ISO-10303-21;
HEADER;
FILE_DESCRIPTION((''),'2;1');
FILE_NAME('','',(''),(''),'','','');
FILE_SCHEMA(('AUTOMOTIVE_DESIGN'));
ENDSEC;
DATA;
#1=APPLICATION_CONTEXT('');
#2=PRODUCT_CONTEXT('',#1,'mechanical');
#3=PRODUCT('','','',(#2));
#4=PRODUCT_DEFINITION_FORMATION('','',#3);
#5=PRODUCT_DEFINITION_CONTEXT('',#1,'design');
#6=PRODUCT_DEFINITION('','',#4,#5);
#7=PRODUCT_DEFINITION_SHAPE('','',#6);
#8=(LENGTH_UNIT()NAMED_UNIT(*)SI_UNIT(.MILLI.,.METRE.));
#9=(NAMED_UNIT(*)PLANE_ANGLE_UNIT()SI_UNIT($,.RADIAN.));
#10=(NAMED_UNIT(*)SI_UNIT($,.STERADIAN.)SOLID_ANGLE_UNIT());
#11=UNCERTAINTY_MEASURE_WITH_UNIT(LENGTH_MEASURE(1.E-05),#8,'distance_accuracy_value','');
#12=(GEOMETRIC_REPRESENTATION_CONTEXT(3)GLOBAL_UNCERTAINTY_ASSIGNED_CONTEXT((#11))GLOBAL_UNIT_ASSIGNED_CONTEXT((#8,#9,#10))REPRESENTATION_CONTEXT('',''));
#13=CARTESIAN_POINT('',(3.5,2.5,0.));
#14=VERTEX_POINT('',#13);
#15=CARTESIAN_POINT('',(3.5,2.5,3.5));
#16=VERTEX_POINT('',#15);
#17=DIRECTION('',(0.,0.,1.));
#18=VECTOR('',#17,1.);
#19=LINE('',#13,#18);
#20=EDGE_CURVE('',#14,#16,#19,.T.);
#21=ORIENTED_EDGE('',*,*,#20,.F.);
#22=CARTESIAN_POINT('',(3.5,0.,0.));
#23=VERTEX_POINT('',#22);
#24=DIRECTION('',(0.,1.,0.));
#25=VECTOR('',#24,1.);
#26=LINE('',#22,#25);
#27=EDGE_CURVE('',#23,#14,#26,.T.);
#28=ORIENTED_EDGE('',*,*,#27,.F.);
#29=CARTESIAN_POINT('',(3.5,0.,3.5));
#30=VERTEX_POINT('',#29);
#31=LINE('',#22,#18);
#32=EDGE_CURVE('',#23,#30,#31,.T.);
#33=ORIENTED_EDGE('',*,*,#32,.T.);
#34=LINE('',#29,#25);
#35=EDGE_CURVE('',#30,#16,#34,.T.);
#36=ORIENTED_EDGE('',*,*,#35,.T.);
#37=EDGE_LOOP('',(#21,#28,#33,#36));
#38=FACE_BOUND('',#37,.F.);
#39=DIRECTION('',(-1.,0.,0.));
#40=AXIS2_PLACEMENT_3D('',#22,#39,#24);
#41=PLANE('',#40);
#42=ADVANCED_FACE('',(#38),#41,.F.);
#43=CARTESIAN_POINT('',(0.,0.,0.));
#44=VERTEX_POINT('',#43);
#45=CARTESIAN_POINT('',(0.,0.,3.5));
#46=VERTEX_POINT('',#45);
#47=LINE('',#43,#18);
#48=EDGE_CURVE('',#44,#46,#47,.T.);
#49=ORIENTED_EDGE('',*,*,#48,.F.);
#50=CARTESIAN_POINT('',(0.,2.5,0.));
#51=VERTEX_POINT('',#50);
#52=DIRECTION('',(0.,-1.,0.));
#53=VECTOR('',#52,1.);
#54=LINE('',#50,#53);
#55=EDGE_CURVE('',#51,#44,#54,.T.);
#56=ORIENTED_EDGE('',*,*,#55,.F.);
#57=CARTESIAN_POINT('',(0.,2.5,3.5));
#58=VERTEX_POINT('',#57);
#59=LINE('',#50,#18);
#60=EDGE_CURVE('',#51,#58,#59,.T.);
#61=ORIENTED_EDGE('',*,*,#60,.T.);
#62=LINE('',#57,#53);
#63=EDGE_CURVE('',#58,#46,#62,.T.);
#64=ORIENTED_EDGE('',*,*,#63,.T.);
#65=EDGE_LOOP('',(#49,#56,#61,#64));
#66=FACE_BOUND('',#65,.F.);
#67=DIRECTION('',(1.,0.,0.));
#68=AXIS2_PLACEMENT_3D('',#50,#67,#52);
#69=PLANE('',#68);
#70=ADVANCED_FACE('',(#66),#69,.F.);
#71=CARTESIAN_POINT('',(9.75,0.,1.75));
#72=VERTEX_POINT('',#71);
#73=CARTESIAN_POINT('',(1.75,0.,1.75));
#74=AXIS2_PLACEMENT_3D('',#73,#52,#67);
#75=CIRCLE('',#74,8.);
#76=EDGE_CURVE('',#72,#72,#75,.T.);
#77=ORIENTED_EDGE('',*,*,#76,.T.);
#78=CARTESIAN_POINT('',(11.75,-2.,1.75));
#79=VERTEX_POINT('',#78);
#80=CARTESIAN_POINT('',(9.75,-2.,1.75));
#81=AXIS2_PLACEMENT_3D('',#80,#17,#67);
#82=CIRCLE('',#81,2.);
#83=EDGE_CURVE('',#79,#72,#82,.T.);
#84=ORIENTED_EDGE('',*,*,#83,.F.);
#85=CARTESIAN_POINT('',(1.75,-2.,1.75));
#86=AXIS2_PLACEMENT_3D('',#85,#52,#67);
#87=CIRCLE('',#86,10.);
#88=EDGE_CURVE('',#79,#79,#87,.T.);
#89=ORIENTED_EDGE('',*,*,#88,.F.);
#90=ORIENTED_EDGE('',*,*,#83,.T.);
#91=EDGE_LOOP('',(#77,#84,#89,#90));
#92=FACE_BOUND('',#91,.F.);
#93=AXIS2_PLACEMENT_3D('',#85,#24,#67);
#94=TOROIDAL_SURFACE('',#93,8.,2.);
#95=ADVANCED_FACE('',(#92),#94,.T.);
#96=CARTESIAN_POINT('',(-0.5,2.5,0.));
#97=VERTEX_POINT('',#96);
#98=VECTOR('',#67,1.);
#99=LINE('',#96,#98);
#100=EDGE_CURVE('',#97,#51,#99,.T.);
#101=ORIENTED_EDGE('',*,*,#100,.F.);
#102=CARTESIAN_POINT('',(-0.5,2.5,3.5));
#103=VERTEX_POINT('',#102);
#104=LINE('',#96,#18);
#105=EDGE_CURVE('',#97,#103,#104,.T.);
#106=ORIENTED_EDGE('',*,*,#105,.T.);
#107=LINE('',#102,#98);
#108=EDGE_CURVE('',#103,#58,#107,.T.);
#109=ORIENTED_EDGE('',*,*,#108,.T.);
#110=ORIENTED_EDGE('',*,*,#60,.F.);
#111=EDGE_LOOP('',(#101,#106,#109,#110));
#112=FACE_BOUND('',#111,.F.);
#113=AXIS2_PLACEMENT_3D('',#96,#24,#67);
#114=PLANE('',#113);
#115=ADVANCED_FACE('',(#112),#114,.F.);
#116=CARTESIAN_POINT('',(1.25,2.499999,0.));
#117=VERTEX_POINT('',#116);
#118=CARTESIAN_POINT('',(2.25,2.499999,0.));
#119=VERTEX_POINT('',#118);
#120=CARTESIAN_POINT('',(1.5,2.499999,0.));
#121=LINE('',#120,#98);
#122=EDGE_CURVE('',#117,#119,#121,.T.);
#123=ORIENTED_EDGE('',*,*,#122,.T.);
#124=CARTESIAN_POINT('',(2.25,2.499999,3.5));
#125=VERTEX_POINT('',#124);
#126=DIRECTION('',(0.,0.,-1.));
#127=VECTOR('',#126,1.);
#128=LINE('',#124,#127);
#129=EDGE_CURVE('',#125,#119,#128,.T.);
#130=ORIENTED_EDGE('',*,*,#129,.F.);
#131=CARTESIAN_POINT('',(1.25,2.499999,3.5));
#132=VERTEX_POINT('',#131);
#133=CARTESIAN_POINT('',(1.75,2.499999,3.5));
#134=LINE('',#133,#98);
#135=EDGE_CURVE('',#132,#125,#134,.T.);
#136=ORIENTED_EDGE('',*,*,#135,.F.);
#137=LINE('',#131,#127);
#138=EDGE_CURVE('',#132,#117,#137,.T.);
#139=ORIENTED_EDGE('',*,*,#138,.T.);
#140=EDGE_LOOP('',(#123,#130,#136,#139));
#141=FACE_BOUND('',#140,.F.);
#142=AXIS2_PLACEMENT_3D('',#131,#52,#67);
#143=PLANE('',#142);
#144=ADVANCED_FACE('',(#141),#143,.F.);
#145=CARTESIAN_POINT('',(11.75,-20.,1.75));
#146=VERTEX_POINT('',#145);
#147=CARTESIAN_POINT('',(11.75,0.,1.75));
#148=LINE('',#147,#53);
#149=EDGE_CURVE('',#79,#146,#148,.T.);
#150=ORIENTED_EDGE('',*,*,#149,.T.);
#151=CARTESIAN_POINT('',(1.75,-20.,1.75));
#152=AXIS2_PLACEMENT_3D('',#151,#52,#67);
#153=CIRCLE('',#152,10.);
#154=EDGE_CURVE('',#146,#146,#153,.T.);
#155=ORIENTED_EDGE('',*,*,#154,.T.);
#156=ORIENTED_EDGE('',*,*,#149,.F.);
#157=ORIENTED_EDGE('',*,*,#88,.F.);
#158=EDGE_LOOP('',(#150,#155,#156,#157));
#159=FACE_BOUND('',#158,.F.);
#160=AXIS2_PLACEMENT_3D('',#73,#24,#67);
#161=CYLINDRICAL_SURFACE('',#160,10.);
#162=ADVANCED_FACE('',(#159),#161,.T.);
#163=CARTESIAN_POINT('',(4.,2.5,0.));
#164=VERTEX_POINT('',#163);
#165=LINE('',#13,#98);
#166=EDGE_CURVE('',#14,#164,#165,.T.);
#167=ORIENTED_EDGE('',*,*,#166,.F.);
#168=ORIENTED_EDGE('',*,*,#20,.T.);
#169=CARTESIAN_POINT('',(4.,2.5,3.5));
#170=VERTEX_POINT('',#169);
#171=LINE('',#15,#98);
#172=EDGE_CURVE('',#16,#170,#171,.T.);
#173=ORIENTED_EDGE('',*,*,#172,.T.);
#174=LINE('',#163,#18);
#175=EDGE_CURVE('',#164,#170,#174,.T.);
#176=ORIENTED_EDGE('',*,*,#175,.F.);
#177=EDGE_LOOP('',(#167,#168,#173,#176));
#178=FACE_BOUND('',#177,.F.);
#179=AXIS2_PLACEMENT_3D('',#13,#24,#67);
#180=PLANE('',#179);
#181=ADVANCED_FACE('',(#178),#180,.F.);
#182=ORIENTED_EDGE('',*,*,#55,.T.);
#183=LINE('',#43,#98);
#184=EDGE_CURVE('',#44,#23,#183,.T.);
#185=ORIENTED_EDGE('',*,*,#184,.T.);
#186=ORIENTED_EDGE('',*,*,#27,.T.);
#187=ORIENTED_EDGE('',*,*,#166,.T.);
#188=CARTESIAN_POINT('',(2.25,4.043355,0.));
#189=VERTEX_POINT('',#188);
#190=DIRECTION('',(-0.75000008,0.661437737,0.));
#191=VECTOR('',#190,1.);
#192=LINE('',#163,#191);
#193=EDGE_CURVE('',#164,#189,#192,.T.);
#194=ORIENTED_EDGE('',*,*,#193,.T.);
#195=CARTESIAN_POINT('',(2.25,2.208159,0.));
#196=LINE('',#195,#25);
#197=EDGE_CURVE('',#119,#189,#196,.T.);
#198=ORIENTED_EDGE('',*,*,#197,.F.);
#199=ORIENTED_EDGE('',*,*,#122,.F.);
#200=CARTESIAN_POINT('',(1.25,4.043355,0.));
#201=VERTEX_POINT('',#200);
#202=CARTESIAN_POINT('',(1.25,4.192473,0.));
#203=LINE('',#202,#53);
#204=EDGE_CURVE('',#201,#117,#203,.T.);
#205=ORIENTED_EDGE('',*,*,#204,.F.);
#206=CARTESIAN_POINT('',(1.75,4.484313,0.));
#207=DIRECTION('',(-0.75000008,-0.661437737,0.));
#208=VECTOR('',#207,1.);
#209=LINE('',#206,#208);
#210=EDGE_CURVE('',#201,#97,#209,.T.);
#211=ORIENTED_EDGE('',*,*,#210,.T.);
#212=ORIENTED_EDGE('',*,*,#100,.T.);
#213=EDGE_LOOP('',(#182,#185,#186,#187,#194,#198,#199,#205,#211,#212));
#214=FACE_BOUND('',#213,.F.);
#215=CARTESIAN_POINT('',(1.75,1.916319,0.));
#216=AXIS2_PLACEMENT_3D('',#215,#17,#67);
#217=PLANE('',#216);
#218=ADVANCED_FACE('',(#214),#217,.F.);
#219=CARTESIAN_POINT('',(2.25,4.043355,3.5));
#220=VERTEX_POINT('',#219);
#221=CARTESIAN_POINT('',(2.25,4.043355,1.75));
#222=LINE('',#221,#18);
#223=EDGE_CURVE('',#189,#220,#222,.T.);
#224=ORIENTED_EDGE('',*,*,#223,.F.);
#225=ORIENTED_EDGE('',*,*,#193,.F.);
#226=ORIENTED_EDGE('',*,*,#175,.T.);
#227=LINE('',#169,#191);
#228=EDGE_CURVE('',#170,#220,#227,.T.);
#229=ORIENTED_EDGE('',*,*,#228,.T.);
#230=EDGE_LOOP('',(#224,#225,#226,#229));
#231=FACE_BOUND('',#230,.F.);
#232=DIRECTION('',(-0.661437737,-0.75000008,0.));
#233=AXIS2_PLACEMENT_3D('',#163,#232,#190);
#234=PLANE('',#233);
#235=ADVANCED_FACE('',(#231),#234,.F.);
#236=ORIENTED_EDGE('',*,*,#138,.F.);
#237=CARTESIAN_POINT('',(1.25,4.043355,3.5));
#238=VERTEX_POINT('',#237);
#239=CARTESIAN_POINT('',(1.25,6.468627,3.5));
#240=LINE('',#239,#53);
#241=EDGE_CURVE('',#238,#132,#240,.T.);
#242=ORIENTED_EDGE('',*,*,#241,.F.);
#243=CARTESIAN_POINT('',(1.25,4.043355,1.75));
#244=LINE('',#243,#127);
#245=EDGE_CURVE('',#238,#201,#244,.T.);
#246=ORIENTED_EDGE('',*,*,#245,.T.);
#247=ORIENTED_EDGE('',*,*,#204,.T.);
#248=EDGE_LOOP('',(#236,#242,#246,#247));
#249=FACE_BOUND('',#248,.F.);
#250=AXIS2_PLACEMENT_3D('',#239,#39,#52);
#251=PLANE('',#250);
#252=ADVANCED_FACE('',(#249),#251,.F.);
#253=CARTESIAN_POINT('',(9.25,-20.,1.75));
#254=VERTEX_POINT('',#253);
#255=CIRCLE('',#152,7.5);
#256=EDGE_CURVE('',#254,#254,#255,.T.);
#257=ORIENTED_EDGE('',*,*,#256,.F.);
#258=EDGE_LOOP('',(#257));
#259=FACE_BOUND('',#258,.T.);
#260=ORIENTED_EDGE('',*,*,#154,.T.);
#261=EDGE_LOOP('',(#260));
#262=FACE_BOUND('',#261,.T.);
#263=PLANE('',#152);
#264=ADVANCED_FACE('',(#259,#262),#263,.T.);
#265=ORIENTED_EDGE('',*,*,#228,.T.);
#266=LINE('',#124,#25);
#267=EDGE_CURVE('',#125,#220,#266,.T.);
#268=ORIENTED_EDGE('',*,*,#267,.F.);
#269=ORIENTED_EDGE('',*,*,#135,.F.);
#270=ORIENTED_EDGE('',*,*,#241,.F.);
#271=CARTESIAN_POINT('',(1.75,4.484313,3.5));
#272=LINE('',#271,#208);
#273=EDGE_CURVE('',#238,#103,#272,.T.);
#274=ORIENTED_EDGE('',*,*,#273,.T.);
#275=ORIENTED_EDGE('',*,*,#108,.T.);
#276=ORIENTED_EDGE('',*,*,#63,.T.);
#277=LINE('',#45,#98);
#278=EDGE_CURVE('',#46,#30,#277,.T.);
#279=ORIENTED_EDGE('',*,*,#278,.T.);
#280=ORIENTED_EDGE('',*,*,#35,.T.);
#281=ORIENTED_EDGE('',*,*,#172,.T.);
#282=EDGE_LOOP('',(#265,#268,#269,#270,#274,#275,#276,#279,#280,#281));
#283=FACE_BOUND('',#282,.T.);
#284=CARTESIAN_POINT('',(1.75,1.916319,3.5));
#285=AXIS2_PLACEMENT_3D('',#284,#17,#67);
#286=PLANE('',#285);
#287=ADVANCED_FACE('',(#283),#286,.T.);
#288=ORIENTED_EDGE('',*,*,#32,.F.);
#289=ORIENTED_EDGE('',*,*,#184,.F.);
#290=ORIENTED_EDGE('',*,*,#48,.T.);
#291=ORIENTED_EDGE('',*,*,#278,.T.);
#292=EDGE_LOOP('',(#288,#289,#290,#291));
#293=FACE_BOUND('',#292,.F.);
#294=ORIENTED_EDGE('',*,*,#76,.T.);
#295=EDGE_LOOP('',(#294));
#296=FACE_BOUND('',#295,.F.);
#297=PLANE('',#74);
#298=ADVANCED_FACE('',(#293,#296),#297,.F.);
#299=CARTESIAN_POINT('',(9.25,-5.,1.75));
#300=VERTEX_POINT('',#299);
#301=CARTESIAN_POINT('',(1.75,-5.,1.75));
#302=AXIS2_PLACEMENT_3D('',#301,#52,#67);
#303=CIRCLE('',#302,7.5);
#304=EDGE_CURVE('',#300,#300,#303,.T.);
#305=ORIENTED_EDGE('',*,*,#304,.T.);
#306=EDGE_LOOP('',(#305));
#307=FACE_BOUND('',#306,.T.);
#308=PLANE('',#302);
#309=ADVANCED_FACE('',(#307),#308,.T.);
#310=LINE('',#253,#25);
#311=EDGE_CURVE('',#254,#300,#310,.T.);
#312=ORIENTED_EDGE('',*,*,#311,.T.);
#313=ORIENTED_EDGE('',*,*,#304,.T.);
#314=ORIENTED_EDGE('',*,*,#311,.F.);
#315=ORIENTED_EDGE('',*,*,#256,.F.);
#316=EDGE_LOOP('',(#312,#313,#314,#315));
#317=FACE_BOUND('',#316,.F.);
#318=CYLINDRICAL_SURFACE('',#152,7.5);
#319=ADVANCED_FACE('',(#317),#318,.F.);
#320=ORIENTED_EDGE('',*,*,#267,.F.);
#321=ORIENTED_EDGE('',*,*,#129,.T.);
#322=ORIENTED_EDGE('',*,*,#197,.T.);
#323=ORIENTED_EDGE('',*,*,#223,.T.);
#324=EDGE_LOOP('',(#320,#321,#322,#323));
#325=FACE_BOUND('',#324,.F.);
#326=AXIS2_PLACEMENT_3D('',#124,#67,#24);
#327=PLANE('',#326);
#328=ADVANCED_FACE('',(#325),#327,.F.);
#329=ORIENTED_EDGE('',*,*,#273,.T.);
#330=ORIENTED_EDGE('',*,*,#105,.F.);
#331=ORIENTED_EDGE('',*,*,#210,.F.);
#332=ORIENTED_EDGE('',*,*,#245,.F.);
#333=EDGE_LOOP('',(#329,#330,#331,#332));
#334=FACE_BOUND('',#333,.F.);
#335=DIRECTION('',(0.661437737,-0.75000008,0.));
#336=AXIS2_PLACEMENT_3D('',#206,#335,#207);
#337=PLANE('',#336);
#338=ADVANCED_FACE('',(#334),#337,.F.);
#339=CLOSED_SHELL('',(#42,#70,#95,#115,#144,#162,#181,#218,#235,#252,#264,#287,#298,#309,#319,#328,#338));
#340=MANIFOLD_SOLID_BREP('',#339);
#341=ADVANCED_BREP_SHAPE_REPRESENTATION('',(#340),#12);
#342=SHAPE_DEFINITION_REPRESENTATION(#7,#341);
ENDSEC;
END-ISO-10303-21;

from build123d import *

# Parameters (mm, degrees)
F1_DEPTH = 3.5
F2_W     = 1
F2_H     = 3.968627
F3_DEPTH = 25
F4_R     = 10
F5_DEPTH = 20
F6_R     = 2
F7_R     = 7.5
F8_DEPTH = 15


with BuildPart() as f1:
    # F0 (on Top) → F1 (new body)
    with BuildSketch(Plane.XY):
        Polygon((0, 2.5), (0, 0), (3.5, 0), (3.5, 2.5), (4, 2.5), (1.75, 4.484313), (-0.5, 2.5), align=None)
    extrude(amount=F1_DEPTH)

    # F2 (on face) → F3 (cut)
    with BuildSketch(Plane.XY.offset(3.5)):
        with Locations((1.75, 4.484313)):
            Rectangle(F2_W, F2_H)
        Polygon((1.25, 4.043355), (1.25, 2.5), (2.25, 2.5), (2.25, 4.043355), (1.75, 4.484313), align=None)
    extrude(amount=-F3_DEPTH, mode=Mode.SUBTRACT)

    # F4 (on face) → F5 (join)
    with BuildSketch(Plane.XZ):
        with Locations((1.75, 1.75)):
            Circle(F4_R)
    extrude(amount=F5_DEPTH)

    # F6
    f6_edges = [f1.edges().sort_by_distance(p)[0] for p in [
        (-8.25, 0, 1.75),
    ]]
    fillet(f6_edges, radius=F6_R)

    # F7 (on face) → F8 (cut)
    with BuildSketch(Plane.XZ.offset(20)):
        with Locations((1.75, 1.75)):
            Circle(F7_R)
    extrude(amount=-F8_DEPTH, mode=Mode.SUBTRACT)


solid = f1.part
